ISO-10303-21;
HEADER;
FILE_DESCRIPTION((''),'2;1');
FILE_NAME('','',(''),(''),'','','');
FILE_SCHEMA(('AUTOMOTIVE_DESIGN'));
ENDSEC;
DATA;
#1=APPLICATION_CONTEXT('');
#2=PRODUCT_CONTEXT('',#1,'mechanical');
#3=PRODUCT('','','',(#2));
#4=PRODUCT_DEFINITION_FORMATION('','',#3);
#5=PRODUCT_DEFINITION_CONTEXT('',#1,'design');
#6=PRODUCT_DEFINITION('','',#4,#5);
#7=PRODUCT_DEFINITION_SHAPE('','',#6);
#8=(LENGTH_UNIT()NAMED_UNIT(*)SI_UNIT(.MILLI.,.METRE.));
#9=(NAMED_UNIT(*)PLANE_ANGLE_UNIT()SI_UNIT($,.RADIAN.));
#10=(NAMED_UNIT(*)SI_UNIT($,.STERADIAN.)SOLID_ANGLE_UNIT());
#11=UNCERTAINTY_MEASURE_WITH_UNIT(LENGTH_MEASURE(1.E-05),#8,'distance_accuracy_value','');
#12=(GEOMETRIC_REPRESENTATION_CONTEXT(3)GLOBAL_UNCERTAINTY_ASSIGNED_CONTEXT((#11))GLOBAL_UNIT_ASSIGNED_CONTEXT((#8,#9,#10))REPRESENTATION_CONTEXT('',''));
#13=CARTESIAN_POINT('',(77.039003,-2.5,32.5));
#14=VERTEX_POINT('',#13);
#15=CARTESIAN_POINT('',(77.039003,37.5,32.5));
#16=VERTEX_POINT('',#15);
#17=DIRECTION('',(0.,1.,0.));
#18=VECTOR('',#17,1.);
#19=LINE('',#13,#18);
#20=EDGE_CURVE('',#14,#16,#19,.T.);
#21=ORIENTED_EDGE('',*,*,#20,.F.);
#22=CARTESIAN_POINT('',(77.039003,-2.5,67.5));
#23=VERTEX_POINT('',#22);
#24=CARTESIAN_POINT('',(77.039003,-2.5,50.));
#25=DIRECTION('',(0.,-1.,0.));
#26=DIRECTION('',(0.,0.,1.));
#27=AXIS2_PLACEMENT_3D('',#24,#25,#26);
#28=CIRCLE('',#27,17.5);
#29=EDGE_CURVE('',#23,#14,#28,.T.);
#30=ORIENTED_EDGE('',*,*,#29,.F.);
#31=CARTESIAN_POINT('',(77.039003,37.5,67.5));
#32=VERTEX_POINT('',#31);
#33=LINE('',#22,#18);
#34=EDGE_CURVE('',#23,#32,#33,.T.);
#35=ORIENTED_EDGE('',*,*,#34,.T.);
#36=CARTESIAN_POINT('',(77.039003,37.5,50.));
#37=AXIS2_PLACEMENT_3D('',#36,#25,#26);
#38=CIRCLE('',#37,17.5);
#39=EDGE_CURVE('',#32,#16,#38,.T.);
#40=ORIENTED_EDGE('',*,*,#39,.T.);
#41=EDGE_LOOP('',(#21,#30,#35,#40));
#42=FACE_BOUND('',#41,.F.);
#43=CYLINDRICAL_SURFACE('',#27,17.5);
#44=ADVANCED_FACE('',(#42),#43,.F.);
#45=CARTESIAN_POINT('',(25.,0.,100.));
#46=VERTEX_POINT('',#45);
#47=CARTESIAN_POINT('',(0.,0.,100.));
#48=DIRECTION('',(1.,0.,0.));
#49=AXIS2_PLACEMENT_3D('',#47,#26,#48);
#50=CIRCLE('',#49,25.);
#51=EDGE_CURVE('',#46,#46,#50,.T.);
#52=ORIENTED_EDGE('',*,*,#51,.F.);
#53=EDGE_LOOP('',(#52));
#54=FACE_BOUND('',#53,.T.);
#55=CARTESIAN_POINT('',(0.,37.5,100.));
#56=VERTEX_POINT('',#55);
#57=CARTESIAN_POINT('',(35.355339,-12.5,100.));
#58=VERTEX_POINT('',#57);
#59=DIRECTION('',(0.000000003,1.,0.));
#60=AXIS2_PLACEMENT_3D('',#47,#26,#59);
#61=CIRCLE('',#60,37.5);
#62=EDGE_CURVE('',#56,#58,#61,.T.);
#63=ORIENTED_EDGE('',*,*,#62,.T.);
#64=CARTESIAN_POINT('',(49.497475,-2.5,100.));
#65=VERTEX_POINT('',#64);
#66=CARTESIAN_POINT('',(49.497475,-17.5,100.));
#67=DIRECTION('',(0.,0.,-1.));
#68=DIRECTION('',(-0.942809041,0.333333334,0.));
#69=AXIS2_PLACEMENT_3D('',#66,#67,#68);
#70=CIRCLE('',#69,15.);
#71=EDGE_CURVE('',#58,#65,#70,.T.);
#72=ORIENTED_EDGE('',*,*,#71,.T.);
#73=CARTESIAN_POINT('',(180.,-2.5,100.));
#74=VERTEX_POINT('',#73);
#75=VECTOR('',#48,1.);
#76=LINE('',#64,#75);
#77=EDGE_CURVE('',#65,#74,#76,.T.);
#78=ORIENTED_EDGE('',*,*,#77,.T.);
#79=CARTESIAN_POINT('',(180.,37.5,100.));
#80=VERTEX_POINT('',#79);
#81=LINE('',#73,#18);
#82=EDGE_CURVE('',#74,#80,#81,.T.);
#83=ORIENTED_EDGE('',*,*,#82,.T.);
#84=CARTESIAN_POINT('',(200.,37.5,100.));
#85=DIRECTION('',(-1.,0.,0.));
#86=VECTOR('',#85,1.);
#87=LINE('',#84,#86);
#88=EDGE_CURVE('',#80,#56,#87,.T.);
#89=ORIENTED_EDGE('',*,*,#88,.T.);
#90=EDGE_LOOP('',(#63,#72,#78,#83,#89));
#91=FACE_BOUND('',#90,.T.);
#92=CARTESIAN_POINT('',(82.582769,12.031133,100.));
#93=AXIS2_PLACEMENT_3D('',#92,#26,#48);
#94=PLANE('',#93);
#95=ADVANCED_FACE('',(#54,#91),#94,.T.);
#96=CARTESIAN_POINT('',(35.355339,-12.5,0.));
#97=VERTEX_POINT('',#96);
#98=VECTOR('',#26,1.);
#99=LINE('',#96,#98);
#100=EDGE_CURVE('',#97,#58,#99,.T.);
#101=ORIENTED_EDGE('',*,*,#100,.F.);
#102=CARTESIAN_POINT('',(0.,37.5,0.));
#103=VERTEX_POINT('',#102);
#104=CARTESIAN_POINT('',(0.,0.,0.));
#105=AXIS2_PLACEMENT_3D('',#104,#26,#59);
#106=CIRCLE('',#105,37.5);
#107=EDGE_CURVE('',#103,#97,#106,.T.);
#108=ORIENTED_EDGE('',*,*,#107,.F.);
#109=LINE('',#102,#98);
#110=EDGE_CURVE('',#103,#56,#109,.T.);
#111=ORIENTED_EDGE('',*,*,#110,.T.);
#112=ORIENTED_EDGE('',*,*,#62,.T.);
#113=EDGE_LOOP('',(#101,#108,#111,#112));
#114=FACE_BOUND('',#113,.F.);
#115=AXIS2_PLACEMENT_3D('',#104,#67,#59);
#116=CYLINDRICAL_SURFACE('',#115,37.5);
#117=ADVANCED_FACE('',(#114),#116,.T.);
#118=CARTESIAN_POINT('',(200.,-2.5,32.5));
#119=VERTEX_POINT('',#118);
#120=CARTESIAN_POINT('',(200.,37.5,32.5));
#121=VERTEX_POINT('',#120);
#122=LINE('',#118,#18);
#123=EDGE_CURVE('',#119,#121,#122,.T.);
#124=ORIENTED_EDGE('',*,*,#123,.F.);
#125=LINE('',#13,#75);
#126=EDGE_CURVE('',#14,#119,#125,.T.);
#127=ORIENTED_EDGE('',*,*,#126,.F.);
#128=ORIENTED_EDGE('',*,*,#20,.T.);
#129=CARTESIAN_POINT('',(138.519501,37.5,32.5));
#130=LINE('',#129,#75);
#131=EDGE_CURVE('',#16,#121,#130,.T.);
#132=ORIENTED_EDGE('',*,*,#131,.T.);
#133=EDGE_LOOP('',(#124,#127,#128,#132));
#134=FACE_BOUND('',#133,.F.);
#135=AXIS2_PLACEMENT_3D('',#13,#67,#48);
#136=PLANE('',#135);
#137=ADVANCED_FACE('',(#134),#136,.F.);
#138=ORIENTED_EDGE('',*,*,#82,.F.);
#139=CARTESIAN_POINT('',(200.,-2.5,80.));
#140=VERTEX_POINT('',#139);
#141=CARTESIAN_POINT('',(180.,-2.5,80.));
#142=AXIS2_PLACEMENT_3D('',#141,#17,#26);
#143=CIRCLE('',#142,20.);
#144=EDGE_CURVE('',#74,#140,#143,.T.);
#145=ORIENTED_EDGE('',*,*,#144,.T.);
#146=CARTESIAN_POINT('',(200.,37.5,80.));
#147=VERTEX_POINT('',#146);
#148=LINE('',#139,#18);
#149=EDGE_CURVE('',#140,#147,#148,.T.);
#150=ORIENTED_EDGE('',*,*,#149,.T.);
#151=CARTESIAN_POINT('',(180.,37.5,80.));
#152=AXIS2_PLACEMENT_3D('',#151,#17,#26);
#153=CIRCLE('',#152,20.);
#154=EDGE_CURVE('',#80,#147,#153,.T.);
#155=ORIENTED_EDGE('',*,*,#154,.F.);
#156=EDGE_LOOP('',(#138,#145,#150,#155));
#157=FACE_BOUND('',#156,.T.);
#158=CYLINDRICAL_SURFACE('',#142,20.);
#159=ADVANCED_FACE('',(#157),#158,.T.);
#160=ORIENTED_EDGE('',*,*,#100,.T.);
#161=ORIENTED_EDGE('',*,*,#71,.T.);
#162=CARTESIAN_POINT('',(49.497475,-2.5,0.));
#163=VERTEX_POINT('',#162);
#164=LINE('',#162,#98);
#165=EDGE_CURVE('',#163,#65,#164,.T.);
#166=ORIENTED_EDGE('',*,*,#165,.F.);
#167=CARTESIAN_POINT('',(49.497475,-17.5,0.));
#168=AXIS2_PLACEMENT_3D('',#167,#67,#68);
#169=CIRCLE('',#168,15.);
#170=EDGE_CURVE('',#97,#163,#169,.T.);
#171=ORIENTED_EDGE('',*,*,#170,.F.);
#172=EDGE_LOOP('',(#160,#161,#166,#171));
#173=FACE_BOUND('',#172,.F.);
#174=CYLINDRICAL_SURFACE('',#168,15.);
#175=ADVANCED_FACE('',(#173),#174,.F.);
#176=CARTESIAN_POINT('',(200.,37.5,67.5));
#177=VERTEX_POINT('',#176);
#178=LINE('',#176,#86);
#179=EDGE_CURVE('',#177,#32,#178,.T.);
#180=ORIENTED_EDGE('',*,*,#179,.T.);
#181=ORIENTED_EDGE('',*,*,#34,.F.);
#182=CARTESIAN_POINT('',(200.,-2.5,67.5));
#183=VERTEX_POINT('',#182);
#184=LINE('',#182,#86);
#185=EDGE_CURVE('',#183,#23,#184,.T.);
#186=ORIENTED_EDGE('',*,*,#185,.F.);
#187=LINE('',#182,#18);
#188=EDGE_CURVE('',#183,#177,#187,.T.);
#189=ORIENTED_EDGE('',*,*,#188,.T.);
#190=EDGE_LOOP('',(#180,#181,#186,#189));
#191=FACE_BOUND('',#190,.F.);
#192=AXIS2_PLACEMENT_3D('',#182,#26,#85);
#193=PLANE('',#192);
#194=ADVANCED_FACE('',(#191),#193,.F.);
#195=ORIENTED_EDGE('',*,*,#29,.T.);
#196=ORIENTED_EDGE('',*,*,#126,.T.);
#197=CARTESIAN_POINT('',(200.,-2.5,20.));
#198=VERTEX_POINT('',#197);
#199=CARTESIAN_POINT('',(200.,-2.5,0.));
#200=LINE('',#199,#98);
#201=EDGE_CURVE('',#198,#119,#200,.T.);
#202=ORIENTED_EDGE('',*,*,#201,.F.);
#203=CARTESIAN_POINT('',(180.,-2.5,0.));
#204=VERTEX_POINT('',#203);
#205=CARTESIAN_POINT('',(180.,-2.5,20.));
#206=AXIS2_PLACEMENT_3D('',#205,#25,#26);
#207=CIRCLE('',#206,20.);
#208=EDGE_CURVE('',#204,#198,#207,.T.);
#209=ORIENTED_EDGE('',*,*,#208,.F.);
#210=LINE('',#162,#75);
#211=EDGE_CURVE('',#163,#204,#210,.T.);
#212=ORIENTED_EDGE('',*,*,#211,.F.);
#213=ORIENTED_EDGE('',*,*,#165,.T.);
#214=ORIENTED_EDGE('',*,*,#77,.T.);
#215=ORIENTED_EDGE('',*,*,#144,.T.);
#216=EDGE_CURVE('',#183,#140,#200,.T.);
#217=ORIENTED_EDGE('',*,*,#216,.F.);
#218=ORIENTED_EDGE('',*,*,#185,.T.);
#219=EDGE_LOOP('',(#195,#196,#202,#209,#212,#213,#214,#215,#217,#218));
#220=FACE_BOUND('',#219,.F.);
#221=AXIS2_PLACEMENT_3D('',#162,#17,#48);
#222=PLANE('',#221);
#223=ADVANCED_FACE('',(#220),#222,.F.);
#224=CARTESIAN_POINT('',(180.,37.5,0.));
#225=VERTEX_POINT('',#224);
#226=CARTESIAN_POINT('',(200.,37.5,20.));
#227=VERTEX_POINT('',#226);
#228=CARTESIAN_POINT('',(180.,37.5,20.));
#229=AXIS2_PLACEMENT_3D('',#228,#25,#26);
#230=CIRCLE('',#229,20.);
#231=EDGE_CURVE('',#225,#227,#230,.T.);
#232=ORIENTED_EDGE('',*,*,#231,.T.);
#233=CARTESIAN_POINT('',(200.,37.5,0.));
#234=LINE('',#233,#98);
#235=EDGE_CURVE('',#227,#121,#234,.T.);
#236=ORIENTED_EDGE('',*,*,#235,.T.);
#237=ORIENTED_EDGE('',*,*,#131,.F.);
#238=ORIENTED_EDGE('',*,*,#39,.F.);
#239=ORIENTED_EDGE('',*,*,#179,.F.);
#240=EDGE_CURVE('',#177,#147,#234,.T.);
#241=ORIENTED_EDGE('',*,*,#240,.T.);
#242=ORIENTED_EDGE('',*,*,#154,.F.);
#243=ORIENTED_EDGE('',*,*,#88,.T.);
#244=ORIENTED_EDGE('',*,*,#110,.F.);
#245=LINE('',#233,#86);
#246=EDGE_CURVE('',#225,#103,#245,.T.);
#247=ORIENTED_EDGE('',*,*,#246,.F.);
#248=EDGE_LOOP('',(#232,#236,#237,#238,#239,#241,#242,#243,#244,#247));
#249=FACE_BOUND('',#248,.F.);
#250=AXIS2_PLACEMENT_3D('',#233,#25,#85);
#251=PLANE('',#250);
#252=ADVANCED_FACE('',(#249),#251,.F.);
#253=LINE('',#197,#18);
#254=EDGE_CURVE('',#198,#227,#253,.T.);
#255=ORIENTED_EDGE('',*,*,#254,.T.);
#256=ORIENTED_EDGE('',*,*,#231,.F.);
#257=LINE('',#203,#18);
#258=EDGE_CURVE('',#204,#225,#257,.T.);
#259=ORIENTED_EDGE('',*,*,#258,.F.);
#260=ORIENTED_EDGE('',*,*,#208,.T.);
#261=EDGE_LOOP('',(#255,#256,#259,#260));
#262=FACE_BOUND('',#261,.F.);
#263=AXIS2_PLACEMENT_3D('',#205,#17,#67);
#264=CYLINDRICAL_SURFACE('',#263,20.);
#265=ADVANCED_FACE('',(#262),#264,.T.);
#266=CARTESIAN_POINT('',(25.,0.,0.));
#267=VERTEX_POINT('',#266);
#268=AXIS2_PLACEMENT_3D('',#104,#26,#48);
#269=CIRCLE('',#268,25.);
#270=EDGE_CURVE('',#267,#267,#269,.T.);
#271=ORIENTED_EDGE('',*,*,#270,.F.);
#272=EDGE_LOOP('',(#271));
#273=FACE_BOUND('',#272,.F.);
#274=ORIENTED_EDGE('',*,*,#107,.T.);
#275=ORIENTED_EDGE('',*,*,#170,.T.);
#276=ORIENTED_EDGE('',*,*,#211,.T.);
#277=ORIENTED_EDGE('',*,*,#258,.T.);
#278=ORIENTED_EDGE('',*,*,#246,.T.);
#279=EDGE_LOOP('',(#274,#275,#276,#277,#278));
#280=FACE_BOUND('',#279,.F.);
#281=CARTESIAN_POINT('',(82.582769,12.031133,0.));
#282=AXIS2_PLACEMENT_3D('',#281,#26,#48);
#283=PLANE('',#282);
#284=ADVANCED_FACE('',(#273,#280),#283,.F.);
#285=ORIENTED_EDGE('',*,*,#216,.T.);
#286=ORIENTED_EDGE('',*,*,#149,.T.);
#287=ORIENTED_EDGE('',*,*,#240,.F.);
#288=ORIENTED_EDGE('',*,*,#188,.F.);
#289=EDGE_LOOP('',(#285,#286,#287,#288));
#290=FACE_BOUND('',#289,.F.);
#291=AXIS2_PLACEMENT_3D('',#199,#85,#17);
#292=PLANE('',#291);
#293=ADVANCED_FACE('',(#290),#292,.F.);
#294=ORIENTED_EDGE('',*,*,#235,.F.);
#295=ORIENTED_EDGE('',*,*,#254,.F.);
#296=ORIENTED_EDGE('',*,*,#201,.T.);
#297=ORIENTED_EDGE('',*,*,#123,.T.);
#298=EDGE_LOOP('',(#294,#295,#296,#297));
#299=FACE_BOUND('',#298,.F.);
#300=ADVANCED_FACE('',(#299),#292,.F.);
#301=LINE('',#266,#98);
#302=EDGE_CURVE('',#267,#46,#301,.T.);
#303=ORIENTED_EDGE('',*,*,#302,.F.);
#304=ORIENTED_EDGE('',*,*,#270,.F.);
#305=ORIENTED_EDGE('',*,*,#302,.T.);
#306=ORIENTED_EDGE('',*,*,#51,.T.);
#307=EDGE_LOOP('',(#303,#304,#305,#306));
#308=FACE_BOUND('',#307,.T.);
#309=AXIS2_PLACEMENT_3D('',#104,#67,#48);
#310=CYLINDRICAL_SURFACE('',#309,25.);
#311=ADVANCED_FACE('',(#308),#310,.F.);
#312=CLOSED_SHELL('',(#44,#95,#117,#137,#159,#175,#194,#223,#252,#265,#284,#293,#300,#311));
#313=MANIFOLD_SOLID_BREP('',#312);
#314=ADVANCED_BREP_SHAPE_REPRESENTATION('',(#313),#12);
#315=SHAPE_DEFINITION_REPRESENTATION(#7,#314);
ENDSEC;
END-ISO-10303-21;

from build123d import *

# Parameters (mm, degrees)
F0_R     = 25
F1_DEPTH = 100
F3_DEPTH = 50
F4_R     = 20


with BuildPart() as f1:
    # F0 (on Top) → F1 (new body)
    with BuildSketch(Plane.XY):
        with BuildLine():
            Line((200, 37.5), (0, 37.5))
            ThreePointArc((0, 37.5), (-30.618622, -21.650635), (35.355339, -12.5))
            ThreePointArc((35.355339, -12.5), (40.837221, -5.252551), (49.497475, -2.5))
            Line((49.497475, -2.5), (200, -2.5))
            Line((200, -2.5), (200, 37.5))
        make_face()
        Circle(F0_R, mode=Mode.SUBTRACT)
    extrude(amount=F1_DEPTH)

    # F2 (on face) → F3 (cut)
    with BuildSketch(Plane.XZ.offset(2.5)):
        with BuildLine():
            Line((200, 67.5), (77.039003, 67.5))
            ThreePointArc((77.039003, 67.5), (59.539003, 50), (77.039003, 32.5))
            Line((77.039003, 32.5), (200, 32.5))
            Line((200, 32.5), (200, 67.5))
        make_face()
    extrude(amount=-F3_DEPTH, mode=Mode.SUBTRACT)

    # F4
    f4_edges = [f1.edges().sort_by_distance(p)[0] for p in [
        (200, 17.5, 100),
        (200, 17.5, 0),
    ]]
    fillet(f4_edges, radius=F4_R)


solid = f1.part
